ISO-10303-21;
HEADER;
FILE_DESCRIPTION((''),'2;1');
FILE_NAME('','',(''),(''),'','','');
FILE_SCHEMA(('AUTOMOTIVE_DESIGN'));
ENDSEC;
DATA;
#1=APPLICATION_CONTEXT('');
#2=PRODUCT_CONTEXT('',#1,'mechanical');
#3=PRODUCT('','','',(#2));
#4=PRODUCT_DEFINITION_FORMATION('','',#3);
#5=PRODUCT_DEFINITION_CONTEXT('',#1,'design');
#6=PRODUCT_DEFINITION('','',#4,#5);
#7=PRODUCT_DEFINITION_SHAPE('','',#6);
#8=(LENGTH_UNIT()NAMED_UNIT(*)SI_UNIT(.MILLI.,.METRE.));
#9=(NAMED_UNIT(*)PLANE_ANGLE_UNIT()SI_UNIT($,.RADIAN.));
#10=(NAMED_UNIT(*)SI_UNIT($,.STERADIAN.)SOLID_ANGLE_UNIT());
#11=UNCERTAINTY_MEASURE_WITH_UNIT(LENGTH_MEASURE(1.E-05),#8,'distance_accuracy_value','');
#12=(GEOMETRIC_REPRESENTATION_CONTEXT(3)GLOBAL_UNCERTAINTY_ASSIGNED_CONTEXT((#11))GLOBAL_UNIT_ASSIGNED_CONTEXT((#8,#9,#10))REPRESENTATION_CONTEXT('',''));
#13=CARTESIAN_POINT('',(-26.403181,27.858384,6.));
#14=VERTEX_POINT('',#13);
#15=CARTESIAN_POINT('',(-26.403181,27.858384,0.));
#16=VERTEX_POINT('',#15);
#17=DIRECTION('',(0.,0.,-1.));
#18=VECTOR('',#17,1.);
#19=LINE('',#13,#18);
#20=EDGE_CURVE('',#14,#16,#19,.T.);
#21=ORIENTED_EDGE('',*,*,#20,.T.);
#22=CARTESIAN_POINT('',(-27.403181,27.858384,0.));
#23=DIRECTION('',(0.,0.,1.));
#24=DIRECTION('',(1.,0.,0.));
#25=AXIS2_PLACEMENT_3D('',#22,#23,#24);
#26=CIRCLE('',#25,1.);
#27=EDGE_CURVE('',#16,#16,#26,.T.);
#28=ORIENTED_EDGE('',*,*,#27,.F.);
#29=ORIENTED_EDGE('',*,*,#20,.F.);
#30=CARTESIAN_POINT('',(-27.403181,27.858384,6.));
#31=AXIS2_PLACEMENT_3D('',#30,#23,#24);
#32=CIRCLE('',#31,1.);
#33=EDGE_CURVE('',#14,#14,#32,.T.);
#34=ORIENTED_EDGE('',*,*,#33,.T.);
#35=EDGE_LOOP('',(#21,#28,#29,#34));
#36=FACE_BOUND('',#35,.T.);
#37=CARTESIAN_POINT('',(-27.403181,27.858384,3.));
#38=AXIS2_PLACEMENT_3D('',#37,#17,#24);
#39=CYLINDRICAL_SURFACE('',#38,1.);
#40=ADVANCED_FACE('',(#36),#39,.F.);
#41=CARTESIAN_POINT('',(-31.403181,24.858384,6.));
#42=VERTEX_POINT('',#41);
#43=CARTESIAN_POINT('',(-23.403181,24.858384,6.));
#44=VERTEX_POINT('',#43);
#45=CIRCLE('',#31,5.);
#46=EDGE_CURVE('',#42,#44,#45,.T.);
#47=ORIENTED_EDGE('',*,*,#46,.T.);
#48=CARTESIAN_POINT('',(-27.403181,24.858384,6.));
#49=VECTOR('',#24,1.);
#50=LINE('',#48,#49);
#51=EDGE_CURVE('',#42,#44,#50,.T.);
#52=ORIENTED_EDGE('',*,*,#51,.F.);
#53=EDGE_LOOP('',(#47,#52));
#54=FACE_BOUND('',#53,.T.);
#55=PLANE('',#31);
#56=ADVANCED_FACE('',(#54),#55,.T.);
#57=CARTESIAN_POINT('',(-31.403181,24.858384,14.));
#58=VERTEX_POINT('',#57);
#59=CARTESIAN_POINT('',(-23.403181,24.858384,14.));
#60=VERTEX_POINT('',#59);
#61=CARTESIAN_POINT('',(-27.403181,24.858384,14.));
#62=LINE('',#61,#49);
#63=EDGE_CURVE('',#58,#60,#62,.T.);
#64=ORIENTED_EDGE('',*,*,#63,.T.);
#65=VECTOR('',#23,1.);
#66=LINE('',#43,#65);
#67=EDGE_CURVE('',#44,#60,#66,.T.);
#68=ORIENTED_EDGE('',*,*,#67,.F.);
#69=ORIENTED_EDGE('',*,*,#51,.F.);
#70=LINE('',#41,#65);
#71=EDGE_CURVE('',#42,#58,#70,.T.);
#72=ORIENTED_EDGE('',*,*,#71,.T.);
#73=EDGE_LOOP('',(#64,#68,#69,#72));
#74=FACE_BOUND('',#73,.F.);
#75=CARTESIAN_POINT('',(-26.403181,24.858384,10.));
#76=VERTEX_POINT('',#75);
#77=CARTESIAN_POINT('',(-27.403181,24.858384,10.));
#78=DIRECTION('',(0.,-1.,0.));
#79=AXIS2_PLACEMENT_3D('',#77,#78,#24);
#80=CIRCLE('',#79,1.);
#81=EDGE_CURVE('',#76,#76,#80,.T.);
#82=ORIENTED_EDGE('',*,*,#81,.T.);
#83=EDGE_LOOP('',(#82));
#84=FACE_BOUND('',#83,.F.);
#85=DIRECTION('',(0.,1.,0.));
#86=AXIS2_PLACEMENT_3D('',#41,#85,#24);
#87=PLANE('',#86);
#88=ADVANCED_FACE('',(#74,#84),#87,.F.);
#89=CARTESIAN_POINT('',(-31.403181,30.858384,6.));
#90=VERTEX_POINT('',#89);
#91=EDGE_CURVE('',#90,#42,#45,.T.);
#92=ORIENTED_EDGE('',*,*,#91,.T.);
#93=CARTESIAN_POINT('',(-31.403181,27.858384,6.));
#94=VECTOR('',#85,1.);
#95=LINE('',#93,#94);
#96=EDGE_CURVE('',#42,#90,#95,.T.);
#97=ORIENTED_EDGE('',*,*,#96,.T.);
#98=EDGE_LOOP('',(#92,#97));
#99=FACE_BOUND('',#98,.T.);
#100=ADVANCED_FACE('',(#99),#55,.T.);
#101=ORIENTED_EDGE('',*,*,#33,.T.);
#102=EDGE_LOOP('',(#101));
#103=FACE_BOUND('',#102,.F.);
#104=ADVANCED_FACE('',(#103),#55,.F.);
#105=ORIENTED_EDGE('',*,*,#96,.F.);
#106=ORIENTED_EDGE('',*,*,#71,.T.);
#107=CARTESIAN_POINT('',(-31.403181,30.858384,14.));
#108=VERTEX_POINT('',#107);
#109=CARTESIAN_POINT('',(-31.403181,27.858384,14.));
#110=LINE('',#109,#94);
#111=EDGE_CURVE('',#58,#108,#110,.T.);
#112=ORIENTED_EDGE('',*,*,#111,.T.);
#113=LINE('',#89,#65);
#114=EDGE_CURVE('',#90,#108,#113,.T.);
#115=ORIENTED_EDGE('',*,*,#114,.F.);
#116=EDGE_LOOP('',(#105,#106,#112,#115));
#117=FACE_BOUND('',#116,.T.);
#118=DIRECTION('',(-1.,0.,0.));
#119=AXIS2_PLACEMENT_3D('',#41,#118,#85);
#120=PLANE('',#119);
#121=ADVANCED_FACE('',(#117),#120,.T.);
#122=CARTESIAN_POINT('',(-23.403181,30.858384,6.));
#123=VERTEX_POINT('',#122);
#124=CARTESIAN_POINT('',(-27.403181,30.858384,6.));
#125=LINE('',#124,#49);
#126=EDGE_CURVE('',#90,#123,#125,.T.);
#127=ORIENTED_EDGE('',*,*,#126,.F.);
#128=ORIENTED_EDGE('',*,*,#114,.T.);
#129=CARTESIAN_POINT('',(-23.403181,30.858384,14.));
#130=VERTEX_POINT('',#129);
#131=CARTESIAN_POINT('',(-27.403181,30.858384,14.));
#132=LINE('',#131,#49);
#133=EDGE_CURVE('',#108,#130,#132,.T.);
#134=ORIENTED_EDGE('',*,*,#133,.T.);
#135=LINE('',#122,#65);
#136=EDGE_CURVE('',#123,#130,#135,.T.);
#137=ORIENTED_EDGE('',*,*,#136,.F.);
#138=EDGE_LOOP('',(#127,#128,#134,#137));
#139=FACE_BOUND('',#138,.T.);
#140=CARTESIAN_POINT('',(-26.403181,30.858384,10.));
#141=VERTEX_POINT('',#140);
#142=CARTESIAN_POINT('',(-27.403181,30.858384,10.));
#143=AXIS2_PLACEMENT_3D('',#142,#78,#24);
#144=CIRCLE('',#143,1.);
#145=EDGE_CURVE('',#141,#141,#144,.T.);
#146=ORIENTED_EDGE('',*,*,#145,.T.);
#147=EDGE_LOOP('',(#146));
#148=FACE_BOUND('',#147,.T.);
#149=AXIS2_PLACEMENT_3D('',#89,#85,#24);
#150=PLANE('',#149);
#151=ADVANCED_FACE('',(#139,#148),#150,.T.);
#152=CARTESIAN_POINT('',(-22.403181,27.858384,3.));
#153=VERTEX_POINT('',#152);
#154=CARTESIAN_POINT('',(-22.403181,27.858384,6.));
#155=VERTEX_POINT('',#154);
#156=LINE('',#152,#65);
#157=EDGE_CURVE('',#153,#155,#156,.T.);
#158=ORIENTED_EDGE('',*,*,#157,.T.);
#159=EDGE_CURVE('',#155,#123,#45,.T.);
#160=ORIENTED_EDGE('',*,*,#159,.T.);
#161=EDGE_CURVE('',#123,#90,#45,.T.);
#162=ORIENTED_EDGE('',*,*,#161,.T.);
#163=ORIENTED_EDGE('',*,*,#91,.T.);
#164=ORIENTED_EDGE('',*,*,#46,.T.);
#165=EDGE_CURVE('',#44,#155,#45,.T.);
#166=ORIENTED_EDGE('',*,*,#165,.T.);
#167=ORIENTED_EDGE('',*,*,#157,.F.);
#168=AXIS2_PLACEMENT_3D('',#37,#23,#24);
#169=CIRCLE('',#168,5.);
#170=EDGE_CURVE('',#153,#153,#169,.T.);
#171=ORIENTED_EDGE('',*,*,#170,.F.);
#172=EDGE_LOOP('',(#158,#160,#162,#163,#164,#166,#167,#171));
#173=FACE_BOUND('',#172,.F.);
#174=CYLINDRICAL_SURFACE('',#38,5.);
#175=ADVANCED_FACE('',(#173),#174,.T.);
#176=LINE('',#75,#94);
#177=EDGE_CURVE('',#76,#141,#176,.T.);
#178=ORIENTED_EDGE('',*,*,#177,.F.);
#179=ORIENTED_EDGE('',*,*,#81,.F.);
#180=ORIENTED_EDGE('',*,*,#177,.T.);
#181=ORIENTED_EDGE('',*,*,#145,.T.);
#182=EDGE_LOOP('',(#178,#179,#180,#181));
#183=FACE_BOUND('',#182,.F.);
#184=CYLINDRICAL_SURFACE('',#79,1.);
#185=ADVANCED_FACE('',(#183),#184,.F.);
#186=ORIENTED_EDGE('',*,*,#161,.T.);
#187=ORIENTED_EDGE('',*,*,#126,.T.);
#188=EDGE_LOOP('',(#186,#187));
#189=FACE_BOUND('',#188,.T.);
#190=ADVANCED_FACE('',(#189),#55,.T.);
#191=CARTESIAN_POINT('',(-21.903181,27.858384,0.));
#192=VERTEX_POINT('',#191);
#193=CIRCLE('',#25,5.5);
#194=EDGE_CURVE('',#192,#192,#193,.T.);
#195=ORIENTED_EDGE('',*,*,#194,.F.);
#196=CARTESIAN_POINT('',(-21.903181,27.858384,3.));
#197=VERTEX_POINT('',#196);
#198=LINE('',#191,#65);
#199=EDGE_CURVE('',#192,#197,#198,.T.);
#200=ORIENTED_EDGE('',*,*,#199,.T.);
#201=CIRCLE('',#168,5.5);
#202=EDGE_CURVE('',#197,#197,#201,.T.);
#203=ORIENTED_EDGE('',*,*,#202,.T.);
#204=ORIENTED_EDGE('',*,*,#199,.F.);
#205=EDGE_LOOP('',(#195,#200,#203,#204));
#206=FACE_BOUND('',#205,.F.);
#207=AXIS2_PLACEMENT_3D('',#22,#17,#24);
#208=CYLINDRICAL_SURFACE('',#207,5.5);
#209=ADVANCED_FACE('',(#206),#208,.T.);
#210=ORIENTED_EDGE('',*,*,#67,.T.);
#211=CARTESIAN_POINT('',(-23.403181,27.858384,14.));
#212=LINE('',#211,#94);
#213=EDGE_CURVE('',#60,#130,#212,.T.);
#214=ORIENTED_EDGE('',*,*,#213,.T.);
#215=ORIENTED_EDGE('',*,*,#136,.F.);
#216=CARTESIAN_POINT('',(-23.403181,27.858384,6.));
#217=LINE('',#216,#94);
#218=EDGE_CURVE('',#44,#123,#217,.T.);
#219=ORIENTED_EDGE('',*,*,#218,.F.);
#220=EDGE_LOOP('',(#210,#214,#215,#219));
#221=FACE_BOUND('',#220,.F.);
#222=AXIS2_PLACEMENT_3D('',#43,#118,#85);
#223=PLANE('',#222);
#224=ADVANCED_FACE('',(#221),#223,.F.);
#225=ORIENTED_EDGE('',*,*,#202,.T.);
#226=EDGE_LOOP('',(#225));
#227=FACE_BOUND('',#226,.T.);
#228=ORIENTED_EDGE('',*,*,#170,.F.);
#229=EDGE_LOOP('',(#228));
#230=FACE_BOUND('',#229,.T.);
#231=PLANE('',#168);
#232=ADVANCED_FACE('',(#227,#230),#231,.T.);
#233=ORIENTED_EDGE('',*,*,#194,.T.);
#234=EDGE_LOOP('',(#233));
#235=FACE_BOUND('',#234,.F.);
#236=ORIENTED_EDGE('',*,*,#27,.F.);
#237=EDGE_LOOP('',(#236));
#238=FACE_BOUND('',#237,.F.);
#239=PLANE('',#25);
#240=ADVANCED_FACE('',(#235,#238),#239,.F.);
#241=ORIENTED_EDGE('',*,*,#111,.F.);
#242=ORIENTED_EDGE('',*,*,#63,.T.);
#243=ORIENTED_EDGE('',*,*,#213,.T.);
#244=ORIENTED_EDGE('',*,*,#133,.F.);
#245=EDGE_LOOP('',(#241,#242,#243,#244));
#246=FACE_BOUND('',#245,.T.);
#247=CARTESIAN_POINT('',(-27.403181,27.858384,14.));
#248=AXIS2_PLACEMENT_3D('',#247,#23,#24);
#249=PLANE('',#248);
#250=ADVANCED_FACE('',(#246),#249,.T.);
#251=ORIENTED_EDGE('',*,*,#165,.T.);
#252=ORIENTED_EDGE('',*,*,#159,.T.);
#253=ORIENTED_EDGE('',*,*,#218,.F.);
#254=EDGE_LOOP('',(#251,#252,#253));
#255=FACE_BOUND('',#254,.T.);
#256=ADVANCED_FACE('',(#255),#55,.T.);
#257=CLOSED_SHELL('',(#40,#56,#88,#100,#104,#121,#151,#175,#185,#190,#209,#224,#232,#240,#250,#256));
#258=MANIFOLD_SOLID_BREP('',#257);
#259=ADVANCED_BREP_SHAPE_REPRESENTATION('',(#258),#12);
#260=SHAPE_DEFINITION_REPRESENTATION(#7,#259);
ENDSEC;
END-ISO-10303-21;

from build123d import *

# Parameters (mm, degrees)
F0_R     = 5.5
F0_R_2   = 1
F1_DEPTH = 3
F2_R     = 5
F2_R_2   = 1
F3_DEPTH = 3
F4_W     = 8
F4_H     = 6
F4_R     = 1
F5_DEPTH = 8
F6_R     = 1
F7_DEPTH = 25


with BuildPart() as f1:
    # F0 (on Top) → F1 (new body)
    with BuildSketch(Plane.XY):
        with Locations((-27.4031814188, 27.8583839536)):
            Circle(F0_R)
        with Locations((-27.4031814188, 27.8583839536)):
            Circle(F0_R_2, mode=Mode.SUBTRACT)
    extrude(amount=F1_DEPTH)

    # F2 (on face) → F3 (join)
    with BuildSketch(Plane.XY.offset(3)):
        with Locations((-27.4031814188, 27.8583839536)):
            Circle(F2_R)
        with Locations((-27.4031814188, 27.8583839536)):
            Circle(F2_R_2, mode=Mode.SUBTRACT)
    extrude(amount=F3_DEPTH)

    # F4 (on face) → F5 (join)
    with BuildSketch(Plane.XY.offset(6)):
        with Locations((-27.4031814188, 27.8583839536)):
            Rectangle(F4_W, F4_H)
        with Locations((-27.4031814188, 27.8583839536)):
            Circle(F4_R, mode=Mode.SUBTRACT)
        with Locations((-27.4031814188, 27.8583839536)):
            Circle(F4_R)
    extrude(amount=F5_DEPTH)

    # F6 (on face) → F7 (cut)
    with BuildSketch(Plane.XZ.offset(-24.8583839536)):
        with Locations((-27.4031814188, 10)):
            Circle(F6_R)
    extrude(amount=-F7_DEPTH, mode=Mode.SUBTRACT)


solid = f1.part
